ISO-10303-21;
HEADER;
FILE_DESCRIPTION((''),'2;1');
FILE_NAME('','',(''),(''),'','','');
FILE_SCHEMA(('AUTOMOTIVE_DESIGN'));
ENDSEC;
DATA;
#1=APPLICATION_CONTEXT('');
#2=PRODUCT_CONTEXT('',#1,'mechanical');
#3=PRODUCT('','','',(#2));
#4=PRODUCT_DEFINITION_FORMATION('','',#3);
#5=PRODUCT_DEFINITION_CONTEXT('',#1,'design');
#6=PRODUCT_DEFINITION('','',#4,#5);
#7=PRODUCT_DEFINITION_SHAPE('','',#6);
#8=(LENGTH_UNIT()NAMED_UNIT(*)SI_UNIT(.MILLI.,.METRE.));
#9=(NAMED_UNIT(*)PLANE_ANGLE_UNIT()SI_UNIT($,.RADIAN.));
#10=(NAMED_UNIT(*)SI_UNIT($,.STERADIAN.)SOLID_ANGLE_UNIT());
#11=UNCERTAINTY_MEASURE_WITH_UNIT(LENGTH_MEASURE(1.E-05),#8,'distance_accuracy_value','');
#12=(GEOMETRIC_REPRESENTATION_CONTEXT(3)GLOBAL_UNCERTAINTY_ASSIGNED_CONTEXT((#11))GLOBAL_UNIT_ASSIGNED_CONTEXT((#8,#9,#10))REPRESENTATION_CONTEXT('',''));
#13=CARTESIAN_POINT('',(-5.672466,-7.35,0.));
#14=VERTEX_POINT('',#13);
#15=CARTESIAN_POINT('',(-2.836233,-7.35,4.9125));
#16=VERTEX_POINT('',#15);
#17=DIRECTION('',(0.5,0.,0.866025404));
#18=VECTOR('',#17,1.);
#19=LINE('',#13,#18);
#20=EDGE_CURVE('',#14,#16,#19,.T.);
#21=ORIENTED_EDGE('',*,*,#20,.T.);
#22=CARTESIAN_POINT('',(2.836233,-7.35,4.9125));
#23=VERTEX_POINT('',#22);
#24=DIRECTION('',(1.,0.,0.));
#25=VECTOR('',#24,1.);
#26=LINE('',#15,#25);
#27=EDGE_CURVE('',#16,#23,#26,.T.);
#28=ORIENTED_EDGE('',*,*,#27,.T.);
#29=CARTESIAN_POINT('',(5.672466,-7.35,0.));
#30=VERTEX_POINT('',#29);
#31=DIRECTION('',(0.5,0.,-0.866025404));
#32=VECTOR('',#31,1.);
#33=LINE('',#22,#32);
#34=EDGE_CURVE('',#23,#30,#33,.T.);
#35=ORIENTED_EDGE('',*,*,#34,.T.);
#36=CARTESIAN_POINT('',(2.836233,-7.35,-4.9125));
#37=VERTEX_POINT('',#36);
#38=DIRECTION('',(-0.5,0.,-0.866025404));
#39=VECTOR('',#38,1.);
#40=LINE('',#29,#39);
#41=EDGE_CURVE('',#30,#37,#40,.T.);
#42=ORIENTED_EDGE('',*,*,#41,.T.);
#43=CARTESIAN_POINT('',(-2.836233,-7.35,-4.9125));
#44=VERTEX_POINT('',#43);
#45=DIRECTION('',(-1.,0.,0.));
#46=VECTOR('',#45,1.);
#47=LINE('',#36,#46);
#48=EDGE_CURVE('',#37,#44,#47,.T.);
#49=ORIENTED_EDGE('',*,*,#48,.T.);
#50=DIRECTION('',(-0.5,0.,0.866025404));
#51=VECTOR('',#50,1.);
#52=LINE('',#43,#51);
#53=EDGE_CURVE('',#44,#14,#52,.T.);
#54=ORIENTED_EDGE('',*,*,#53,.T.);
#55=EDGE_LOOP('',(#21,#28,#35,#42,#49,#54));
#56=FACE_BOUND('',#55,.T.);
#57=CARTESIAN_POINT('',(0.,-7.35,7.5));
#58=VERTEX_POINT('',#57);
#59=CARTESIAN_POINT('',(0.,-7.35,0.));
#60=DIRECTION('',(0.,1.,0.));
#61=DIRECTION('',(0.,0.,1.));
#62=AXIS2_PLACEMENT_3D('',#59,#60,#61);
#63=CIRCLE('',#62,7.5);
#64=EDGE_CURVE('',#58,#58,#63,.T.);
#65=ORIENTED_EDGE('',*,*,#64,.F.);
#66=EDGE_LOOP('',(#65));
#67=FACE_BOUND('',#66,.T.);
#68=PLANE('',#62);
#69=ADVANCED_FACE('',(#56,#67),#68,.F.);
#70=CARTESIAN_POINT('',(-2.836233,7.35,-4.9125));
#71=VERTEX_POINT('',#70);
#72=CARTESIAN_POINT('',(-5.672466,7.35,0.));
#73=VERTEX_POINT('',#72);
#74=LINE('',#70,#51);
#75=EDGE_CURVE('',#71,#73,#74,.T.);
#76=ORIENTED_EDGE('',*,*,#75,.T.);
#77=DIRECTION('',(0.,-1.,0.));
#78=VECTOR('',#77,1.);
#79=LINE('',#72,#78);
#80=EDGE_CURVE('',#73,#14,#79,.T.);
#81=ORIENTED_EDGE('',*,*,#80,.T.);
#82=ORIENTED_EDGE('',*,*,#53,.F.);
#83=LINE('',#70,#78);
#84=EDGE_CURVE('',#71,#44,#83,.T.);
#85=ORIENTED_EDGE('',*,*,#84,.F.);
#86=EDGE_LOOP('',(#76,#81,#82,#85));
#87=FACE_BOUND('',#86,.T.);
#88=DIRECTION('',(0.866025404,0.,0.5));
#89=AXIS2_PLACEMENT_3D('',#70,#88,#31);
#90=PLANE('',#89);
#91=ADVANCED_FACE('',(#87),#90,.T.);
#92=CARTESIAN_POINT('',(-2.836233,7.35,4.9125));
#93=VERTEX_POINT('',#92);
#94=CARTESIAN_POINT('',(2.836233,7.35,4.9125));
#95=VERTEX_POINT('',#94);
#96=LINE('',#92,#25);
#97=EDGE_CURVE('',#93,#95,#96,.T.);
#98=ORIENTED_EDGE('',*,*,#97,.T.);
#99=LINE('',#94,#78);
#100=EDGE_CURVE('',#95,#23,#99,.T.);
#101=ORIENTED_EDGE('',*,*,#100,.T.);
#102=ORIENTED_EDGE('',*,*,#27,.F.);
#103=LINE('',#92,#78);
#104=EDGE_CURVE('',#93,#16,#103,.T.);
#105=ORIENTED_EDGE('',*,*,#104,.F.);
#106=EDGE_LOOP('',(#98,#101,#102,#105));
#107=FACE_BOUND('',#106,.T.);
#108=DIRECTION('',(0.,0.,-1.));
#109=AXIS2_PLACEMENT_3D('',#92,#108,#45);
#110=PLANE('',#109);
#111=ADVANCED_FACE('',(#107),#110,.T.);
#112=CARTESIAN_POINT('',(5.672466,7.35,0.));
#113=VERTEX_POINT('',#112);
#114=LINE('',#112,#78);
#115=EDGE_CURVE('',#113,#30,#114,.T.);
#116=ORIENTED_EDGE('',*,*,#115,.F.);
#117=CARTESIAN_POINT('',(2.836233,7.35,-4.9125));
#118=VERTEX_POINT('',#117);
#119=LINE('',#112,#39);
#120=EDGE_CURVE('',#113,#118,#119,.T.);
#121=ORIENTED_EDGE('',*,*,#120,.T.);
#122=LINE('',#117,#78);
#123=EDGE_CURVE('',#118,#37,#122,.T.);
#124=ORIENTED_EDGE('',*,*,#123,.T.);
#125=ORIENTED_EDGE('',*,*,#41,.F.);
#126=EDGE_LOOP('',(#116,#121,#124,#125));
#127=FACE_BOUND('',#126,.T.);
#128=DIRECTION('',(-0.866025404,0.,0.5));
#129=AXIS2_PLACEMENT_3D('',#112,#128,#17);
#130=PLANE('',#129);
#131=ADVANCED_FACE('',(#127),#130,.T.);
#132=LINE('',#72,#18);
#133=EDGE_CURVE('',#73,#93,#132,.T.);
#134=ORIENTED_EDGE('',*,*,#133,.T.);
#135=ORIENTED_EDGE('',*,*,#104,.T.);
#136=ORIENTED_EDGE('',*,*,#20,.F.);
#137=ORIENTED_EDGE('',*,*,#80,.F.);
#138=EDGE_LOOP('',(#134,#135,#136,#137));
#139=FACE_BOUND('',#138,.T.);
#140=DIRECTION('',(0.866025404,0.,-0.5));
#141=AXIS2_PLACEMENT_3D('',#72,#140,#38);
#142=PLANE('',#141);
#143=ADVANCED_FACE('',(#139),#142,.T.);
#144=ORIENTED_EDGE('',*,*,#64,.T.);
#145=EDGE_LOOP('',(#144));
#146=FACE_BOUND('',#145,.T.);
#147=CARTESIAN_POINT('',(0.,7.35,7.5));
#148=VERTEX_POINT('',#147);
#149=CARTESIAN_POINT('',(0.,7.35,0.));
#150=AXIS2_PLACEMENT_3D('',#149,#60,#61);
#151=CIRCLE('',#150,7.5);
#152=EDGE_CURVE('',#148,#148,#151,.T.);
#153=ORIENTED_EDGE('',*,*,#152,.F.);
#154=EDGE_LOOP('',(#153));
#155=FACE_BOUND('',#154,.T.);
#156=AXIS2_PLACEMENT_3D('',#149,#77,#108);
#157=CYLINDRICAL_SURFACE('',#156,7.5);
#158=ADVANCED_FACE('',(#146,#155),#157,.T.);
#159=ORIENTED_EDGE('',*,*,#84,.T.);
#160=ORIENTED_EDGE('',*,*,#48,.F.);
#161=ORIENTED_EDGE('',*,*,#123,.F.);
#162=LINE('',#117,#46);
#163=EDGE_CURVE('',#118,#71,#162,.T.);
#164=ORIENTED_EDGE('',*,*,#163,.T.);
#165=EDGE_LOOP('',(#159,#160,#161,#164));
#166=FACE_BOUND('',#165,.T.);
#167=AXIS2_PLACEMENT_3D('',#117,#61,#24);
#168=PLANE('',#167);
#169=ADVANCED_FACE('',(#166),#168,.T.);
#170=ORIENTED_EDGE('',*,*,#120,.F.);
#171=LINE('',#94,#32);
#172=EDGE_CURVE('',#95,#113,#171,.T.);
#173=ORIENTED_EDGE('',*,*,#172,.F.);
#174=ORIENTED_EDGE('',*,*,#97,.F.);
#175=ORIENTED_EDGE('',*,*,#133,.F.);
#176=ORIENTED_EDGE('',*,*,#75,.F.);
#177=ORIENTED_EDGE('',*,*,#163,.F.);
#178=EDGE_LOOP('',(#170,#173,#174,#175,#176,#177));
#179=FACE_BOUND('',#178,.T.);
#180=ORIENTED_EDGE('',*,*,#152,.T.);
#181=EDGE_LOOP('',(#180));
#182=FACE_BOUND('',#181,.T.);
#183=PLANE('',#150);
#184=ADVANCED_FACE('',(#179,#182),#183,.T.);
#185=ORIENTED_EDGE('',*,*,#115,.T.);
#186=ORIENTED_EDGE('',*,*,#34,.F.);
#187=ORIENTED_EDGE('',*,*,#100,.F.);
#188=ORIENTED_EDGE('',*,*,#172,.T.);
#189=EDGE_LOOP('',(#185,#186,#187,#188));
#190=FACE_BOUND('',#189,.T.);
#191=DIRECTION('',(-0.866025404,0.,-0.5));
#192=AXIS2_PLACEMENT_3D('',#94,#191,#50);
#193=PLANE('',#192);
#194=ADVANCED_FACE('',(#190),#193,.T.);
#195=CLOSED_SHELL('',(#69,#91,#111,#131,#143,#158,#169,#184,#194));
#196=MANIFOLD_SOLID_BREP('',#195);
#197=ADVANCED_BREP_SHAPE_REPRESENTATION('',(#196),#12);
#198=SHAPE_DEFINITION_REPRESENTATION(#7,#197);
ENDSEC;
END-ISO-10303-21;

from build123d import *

# Parameters (mm, degrees)
SKETCH1_R           = 7.5
BOSS_EXTRUDE1_DEPTH = 7.35


with BuildPart() as part:
    # Sketch1 → Boss-Extrude1 (new, symmetric)
    with BuildSketch(Plane(origin=(0, 0, 0), x_dir=(1, 0, 0), z_dir=(0, 1, 0))):
        Circle(SKETCH1_R)
        Polygon((-2.836233197, -4.9125), (2.836233197, -4.9125), (5.672466395, 0), (2.836233197, 4.9125), (-2.836233197, 4.9125), (-5.672466395, 0), align=None, mode=Mode.SUBTRACT)
    extrude(amount=BOSS_EXTRUDE1_DEPTH, both=True)


solid = part.part
